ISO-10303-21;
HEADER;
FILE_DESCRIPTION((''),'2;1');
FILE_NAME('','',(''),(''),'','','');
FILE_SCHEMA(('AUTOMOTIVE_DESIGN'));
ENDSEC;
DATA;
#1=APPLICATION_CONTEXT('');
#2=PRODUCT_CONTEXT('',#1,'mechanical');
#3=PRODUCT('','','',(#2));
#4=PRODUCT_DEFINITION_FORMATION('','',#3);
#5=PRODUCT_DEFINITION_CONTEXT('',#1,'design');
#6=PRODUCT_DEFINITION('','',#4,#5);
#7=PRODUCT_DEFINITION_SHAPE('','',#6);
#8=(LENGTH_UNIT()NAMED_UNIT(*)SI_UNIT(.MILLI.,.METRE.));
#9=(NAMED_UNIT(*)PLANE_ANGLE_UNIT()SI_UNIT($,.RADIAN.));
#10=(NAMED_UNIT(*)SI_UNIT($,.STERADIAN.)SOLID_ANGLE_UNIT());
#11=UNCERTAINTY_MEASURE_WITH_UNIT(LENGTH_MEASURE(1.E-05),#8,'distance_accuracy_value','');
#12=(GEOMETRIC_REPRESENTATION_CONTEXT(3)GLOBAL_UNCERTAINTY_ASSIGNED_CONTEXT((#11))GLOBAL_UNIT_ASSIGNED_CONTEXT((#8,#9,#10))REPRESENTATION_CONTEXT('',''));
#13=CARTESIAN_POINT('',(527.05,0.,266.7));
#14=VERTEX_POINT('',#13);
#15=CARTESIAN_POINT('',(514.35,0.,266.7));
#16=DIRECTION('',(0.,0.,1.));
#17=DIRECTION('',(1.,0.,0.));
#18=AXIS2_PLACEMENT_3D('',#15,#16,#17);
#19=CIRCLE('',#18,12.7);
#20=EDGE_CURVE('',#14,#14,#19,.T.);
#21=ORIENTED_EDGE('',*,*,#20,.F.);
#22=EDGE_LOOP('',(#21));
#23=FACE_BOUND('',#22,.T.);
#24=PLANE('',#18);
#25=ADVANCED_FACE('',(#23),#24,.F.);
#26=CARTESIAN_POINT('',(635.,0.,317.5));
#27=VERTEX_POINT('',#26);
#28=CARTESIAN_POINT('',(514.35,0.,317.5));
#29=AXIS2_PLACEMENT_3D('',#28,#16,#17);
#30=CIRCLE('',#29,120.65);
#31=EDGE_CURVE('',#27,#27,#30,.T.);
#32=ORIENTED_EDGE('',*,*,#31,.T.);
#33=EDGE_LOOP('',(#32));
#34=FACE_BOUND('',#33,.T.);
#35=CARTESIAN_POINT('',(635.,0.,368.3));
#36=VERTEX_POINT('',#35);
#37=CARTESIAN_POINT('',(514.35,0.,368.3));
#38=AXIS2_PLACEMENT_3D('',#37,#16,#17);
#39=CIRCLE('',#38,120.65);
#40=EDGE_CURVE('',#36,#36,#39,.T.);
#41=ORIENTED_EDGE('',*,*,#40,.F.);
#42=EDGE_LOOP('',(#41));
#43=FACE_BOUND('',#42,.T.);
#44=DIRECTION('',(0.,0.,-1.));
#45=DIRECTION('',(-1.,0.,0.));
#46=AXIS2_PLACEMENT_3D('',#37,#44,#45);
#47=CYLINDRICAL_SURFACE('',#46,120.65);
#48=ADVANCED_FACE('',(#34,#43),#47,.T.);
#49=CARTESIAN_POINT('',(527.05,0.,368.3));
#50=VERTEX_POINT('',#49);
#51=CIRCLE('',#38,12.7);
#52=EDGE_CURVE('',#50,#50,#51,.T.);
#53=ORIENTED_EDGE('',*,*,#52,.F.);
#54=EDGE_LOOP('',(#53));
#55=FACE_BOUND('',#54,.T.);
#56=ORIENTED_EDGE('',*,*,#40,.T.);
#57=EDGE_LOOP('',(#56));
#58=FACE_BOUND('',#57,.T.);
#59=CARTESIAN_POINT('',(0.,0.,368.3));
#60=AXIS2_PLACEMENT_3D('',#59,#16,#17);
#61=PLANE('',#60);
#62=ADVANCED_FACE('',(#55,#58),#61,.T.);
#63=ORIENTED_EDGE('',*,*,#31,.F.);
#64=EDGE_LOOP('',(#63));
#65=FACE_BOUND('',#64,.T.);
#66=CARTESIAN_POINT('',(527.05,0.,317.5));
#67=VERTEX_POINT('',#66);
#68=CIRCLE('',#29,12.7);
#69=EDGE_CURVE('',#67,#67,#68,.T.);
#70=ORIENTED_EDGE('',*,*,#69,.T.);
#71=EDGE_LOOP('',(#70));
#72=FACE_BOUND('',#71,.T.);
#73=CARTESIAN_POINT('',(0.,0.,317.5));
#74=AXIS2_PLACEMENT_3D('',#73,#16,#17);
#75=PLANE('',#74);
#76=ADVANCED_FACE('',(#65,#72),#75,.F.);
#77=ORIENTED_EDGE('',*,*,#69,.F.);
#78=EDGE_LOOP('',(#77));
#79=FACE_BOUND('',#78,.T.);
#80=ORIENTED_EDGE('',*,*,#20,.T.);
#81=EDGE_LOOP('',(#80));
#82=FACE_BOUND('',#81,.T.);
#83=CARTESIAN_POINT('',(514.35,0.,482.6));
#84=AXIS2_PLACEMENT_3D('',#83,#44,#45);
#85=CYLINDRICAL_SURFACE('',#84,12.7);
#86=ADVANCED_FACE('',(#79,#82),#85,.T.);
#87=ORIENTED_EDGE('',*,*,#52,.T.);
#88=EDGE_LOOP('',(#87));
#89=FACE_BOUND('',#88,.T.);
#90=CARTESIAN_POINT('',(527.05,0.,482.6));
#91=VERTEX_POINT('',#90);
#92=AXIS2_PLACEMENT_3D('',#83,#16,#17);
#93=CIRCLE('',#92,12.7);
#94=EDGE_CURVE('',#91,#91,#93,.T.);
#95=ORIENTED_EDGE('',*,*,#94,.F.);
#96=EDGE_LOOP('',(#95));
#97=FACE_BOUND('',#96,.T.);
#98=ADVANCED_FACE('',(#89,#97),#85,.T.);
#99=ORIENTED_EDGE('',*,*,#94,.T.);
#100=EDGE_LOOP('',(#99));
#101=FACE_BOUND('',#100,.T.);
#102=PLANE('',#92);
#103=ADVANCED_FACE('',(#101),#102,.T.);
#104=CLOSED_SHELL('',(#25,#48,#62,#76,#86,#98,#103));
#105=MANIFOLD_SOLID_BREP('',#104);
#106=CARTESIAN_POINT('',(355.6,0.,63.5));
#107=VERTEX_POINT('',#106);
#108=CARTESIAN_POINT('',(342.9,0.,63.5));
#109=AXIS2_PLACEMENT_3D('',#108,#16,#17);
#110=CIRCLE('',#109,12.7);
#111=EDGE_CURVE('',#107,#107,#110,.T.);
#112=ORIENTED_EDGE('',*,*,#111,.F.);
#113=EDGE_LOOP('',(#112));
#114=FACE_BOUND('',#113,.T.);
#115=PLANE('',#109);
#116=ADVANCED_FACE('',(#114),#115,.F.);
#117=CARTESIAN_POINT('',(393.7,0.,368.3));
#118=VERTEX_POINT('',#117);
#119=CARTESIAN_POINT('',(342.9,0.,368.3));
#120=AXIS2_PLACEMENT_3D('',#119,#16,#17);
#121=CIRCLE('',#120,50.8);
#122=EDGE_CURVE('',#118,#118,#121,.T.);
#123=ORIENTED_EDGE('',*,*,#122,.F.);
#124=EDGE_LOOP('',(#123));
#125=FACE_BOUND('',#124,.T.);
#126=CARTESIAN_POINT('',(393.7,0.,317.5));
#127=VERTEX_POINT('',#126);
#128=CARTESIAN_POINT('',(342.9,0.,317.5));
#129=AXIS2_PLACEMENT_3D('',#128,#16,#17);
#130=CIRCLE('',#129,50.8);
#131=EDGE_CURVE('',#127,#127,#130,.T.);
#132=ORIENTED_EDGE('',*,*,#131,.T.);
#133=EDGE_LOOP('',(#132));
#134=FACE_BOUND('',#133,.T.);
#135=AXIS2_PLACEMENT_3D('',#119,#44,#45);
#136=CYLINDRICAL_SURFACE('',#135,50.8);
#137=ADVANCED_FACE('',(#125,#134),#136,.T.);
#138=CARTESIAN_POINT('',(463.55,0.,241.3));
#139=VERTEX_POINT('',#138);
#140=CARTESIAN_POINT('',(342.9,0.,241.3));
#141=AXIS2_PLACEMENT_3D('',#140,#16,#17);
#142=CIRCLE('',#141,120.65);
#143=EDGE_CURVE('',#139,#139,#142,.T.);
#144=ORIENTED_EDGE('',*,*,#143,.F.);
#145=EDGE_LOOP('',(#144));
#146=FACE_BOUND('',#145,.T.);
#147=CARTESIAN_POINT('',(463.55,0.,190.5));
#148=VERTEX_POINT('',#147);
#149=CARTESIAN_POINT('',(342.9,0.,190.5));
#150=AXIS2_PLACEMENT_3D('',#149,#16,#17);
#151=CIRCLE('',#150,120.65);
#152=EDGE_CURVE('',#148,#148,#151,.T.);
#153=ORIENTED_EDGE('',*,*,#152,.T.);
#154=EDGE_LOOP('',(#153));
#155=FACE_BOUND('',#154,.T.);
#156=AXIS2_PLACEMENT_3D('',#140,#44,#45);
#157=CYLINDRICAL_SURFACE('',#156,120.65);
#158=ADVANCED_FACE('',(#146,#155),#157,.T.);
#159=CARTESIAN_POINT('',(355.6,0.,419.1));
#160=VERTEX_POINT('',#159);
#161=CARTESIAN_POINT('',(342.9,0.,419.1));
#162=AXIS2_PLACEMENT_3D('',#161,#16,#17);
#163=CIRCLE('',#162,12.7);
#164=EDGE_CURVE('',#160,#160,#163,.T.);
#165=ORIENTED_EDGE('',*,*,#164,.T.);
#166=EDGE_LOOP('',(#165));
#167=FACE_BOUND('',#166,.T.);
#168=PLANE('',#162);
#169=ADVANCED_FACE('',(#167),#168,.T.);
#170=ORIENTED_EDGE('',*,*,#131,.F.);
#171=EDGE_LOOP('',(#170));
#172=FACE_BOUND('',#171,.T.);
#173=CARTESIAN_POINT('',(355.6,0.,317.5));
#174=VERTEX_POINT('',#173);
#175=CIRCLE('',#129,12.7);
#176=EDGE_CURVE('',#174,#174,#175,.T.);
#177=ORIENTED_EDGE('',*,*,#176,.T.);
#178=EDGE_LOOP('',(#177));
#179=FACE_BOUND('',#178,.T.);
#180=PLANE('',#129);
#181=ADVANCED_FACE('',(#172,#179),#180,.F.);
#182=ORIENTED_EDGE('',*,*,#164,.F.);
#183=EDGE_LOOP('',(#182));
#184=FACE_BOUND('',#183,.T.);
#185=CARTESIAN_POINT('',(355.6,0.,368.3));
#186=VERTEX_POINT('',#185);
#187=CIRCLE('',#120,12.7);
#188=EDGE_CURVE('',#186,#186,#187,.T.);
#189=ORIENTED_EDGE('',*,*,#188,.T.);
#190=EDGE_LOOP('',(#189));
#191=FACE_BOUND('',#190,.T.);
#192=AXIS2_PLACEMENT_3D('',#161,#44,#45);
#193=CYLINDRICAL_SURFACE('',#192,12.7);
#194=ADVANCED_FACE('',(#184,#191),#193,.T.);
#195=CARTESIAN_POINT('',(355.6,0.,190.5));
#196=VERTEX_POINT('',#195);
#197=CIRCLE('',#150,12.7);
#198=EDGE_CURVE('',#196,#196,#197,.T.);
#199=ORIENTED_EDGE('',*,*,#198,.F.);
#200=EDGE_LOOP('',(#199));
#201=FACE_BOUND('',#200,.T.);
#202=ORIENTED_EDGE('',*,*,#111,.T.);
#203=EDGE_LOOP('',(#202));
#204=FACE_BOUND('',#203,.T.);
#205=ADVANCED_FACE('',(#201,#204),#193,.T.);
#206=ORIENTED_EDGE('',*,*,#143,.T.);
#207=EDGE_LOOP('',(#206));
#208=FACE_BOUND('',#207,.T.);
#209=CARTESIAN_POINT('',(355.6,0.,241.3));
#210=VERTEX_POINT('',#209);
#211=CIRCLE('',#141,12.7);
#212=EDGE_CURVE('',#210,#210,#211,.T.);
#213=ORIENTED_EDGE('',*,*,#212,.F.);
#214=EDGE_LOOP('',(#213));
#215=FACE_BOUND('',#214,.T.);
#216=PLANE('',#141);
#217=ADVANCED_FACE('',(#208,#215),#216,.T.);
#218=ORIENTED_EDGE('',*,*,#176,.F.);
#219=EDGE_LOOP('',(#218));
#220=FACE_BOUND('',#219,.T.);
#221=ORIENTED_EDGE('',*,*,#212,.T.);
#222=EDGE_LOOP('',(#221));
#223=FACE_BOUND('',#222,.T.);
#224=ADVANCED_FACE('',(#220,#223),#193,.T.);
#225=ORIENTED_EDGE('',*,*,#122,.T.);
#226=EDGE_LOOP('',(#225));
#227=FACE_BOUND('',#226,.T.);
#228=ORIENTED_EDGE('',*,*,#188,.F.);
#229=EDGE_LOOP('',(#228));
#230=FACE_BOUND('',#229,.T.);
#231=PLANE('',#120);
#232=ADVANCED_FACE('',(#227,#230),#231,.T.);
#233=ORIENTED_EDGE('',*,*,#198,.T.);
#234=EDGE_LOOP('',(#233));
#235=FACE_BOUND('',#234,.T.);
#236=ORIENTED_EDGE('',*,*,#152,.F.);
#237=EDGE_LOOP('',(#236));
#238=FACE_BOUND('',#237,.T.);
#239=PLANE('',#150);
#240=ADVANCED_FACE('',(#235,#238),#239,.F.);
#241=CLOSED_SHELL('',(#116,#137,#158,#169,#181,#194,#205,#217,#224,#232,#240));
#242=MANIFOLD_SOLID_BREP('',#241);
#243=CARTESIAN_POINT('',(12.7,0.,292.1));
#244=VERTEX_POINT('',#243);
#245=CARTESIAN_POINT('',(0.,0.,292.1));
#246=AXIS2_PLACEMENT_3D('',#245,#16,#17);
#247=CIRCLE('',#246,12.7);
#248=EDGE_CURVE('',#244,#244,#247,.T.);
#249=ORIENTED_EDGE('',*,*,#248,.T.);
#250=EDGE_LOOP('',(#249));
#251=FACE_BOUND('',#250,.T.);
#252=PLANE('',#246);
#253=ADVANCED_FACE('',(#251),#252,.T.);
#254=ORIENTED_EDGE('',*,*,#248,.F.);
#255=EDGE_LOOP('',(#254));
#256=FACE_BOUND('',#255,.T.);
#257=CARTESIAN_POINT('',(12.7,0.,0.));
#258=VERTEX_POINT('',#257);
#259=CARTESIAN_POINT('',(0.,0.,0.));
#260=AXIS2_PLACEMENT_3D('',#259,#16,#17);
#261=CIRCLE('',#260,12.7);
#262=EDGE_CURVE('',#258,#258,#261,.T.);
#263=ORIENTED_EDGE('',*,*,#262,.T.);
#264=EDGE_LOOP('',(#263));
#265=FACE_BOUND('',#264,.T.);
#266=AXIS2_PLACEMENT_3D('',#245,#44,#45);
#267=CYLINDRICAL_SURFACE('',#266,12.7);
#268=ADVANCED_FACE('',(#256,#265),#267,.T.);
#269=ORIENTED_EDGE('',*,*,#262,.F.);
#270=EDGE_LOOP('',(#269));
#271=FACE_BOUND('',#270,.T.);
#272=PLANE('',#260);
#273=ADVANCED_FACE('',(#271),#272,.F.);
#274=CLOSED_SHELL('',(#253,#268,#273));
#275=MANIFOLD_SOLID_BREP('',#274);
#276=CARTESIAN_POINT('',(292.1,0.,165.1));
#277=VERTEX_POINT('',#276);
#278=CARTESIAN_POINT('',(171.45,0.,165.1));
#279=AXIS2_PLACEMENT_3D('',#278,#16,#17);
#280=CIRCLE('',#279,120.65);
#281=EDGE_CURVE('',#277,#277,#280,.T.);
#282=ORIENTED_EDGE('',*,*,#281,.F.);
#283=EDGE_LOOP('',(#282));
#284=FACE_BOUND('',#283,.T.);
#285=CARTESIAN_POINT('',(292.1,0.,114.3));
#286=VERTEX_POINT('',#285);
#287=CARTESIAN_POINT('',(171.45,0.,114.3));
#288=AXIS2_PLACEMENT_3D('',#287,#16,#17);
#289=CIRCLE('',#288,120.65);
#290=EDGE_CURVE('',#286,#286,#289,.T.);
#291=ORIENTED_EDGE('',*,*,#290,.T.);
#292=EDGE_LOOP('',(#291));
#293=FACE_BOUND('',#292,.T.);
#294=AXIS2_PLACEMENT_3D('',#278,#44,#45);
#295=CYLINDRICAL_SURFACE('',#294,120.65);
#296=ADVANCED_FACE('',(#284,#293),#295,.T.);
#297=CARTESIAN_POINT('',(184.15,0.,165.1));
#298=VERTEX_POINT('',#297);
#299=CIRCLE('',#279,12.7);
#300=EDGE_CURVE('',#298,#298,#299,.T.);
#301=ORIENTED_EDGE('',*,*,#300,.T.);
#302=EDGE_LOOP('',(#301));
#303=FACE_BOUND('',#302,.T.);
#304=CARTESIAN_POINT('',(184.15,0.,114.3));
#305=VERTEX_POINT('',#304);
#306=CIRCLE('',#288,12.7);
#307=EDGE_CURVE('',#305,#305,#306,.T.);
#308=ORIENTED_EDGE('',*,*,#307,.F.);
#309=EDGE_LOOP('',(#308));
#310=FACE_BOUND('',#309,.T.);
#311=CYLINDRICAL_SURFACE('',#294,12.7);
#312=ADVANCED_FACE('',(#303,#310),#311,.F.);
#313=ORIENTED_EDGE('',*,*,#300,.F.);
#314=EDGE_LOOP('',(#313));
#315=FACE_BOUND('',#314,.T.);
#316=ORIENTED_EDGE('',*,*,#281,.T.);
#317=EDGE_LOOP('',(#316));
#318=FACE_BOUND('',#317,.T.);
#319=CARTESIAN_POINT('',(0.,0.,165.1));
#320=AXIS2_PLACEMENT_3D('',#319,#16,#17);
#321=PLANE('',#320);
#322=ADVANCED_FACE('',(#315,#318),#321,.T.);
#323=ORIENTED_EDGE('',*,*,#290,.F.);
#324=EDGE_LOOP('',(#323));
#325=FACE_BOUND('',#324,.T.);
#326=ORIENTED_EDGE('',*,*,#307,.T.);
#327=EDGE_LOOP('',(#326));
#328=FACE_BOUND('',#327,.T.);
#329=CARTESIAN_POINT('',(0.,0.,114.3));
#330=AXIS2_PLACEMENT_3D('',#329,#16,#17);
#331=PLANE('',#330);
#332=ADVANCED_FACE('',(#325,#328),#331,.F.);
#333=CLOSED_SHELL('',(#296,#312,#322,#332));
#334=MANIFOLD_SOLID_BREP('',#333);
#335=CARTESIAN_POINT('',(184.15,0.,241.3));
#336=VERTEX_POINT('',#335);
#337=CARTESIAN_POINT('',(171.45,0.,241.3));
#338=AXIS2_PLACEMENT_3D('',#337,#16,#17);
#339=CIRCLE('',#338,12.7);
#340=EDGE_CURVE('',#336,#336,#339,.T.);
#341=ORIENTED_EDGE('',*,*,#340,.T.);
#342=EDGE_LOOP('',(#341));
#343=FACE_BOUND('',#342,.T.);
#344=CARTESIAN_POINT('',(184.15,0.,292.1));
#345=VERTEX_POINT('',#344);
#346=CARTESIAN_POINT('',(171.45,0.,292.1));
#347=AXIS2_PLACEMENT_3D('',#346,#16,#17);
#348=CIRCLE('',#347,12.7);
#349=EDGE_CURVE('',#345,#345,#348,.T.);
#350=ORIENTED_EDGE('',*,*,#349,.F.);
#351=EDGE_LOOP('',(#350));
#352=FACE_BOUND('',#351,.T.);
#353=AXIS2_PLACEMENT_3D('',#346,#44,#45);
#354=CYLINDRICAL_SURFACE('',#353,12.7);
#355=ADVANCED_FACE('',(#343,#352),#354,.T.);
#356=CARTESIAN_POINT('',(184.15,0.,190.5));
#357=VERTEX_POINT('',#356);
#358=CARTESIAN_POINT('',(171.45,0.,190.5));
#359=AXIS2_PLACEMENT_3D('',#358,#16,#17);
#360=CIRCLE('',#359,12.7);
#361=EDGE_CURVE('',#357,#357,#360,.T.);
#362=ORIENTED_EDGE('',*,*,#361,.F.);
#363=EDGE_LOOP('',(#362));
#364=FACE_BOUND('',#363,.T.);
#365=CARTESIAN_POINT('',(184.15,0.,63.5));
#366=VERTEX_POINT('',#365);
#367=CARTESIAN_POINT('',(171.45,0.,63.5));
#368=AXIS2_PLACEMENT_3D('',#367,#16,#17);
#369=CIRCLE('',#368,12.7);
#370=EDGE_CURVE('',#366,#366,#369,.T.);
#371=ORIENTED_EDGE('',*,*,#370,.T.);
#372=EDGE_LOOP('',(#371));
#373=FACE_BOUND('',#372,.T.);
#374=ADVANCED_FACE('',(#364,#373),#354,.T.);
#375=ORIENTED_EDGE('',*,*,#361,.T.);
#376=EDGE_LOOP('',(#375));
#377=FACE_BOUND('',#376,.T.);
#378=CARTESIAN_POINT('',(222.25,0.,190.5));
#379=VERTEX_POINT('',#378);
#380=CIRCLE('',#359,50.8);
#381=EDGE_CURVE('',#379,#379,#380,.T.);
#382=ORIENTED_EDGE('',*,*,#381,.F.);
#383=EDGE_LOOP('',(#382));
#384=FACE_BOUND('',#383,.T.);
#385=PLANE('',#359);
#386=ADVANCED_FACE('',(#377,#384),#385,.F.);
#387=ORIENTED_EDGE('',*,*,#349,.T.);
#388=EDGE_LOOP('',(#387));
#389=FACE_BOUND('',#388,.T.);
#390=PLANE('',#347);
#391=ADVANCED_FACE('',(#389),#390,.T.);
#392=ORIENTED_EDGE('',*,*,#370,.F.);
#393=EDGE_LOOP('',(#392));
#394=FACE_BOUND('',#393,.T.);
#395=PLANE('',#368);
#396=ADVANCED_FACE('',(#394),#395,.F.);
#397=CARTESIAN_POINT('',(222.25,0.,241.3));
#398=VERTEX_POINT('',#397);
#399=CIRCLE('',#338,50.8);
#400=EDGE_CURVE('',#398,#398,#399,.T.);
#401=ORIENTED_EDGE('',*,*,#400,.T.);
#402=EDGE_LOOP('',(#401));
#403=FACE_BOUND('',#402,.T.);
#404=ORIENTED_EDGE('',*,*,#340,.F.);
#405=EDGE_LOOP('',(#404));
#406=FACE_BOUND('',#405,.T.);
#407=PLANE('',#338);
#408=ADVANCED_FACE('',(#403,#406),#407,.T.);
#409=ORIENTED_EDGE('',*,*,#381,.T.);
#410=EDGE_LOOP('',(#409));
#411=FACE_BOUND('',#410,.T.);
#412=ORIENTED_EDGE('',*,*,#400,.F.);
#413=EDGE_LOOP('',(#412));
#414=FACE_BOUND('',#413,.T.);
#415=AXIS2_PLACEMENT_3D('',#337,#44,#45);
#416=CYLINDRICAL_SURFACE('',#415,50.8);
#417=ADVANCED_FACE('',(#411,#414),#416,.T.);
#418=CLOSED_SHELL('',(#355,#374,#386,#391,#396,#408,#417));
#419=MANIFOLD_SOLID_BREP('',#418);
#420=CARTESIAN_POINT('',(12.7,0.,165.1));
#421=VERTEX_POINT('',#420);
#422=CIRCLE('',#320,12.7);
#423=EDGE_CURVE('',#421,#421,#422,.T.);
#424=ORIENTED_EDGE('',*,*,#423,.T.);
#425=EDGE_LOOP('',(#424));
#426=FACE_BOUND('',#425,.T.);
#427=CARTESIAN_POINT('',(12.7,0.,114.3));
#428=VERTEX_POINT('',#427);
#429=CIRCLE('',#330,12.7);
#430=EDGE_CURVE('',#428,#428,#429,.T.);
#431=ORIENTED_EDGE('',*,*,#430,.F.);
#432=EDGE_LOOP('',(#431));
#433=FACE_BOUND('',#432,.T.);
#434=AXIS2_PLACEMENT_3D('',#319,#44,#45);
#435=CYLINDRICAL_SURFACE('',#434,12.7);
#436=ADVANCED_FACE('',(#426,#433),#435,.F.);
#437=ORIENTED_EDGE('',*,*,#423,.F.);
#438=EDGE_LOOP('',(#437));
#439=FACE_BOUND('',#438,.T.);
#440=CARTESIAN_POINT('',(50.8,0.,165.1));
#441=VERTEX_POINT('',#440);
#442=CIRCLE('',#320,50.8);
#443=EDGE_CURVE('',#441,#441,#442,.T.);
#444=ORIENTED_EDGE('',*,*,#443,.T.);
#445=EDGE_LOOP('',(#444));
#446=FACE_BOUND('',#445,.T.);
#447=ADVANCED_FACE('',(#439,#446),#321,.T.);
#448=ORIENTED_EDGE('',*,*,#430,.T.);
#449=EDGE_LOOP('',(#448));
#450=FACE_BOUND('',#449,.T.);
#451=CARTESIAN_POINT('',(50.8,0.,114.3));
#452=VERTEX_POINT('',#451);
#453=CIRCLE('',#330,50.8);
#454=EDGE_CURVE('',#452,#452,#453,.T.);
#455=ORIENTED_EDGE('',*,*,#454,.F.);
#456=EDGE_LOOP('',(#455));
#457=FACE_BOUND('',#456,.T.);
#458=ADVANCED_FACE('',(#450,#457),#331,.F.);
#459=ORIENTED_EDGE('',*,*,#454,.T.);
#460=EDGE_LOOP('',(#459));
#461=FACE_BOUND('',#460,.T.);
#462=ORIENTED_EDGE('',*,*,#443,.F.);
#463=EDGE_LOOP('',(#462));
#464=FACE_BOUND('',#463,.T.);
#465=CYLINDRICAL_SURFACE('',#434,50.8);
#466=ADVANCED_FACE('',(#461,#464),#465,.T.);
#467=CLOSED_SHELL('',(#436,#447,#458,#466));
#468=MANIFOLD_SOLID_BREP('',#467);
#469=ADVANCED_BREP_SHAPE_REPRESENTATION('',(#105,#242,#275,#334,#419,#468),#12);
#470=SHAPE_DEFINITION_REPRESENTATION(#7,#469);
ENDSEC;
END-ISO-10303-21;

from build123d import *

# Parameters (mm, degrees)
SKETCH1_R             = 12.7
BOSS_EXTRUDE1_DEPTH   = 292.1
BOSS_EXTRUDE2_START   = 63.5
SKETCH1_3_R           = 12.7
BOSS_EXTRUDE2_DEPTH   = 228.6
BOSS_EXTRUDE3_START   = 63.5
SKETCH1_4_R           = 12.7
BOSS_EXTRUDE3_DEPTH   = 355.6
BOSS_EXTRUDE4_START   = 266.7
SKETCH1_5_R           = 12.7
BOSS_EXTRUDE4_DEPTH   = 215.9
BOSS_EXTRUDE5_START   = 114.3
SKETCH1_6_R           = 50.8
SKETCH1_6_R_2         = 12.7
BOSS_EXTRUDE5_DEPTH   = 50.8
SKETCH1_6_R_3         = 120.65
BOSS_EXTRUDE5_2_DEPTH = 50.8
BOSS_EXTRUDE7_START   = 190.5
SKETCH1_9_R           = 50.8
SKETCH1_9_R_2         = 120.65
BOSS_EXTRUDE7_DEPTH   = 50.8
BOSS_EXTRUDE8_START   = 317.5
SKETCH1_10_R          = 50.8
SKETCH1_10_R_2        = 120.65
BOSS_EXTRUDE8_DEPTH   = 50.8


with BuildPart() as part:
    # Sketch1 → Boss-Extrude1 (new body)
    with BuildSketch(Plane.XY):
        Circle(SKETCH1_R)
    extrude(amount=BOSS_EXTRUDE1_DEPTH)


with BuildPart() as body_2:
    # Sketch1<3> → Boss-Extrude2 (new body)
    with BuildSketch(Plane.XY.offset(BOSS_EXTRUDE2_START)):
        with Locations((171.45, 0)):
            Circle(SKETCH1_3_R)
    extrude(amount=BOSS_EXTRUDE2_DEPTH)



with BuildPart() as body_3:
    # Sketch1<4> → Boss-Extrude3 (new body)
    with BuildSketch(Plane.XY.offset(BOSS_EXTRUDE3_START)):
        with Locations((342.9, 0)):
            Circle(SKETCH1_4_R)
    extrude(amount=BOSS_EXTRUDE3_DEPTH)


with BuildPart() as body_4:
    # Sketch1<5> → Boss-Extrude4 (new body)
    with BuildSketch(Plane.XY.offset(BOSS_EXTRUDE4_START)):
        with Locations((514.35, 0)):
            Circle(SKETCH1_5_R)
    extrude(amount=BOSS_EXTRUDE4_DEPTH)


with BuildPart() as body_5:
    # Sketch1<6> → Boss-Extrude5 (new body)
    with BuildSketch(Plane.XY.offset(BOSS_EXTRUDE5_START)):
        Circle(SKETCH1_6_R)
        Circle(SKETCH1_6_R_2, mode=Mode.SUBTRACT)
    extrude(amount=BOSS_EXTRUDE5_DEPTH)


with BuildPart() as body_6:
    # Sketch1<6> → Boss-Extrude5 2 (new body)
    with BuildSketch(Plane.XY.offset(BOSS_EXTRUDE5_START)):
        with Locations((171.45, 0)):
            Circle(SKETCH1_6_R_3)
        with Locations((171.45, 0)):
            Circle(SKETCH1_6_R_2, mode=Mode.SUBTRACT)
    extrude(amount=BOSS_EXTRUDE5_2_DEPTH)


with BuildPart() as body_2_1:
    add(body_2.part)

    add(body_3.part)  # Boss-Extrude7 merges body 3
    # Sketch1<9> → Boss-Extrude7 (add)
    with BuildSketch(Plane.XY.offset(BOSS_EXTRUDE7_START)):
        with Locations((171.45, 0)):
            Circle(SKETCH1_9_R)
        with Locations((342.9, 0)):
            Circle(SKETCH1_9_R_2)
    extrude(amount=BOSS_EXTRUDE7_DEPTH)


    add(body_4.part)  # Boss-Extrude8 merges body 4
    # Sketch1<10> → Boss-Extrude8 (add)
    with BuildSketch(Plane.XY.offset(BOSS_EXTRUDE8_START)):
        with Locations((342.9, 0)):
            Circle(SKETCH1_10_R)
        with Locations((514.35, 0)):
            Circle(SKETCH1_10_R_2)
    extrude(amount=BOSS_EXTRUDE8_DEPTH)


solid = Compound([part.part, body_5.part, body_6.part, body_2_1.part])
